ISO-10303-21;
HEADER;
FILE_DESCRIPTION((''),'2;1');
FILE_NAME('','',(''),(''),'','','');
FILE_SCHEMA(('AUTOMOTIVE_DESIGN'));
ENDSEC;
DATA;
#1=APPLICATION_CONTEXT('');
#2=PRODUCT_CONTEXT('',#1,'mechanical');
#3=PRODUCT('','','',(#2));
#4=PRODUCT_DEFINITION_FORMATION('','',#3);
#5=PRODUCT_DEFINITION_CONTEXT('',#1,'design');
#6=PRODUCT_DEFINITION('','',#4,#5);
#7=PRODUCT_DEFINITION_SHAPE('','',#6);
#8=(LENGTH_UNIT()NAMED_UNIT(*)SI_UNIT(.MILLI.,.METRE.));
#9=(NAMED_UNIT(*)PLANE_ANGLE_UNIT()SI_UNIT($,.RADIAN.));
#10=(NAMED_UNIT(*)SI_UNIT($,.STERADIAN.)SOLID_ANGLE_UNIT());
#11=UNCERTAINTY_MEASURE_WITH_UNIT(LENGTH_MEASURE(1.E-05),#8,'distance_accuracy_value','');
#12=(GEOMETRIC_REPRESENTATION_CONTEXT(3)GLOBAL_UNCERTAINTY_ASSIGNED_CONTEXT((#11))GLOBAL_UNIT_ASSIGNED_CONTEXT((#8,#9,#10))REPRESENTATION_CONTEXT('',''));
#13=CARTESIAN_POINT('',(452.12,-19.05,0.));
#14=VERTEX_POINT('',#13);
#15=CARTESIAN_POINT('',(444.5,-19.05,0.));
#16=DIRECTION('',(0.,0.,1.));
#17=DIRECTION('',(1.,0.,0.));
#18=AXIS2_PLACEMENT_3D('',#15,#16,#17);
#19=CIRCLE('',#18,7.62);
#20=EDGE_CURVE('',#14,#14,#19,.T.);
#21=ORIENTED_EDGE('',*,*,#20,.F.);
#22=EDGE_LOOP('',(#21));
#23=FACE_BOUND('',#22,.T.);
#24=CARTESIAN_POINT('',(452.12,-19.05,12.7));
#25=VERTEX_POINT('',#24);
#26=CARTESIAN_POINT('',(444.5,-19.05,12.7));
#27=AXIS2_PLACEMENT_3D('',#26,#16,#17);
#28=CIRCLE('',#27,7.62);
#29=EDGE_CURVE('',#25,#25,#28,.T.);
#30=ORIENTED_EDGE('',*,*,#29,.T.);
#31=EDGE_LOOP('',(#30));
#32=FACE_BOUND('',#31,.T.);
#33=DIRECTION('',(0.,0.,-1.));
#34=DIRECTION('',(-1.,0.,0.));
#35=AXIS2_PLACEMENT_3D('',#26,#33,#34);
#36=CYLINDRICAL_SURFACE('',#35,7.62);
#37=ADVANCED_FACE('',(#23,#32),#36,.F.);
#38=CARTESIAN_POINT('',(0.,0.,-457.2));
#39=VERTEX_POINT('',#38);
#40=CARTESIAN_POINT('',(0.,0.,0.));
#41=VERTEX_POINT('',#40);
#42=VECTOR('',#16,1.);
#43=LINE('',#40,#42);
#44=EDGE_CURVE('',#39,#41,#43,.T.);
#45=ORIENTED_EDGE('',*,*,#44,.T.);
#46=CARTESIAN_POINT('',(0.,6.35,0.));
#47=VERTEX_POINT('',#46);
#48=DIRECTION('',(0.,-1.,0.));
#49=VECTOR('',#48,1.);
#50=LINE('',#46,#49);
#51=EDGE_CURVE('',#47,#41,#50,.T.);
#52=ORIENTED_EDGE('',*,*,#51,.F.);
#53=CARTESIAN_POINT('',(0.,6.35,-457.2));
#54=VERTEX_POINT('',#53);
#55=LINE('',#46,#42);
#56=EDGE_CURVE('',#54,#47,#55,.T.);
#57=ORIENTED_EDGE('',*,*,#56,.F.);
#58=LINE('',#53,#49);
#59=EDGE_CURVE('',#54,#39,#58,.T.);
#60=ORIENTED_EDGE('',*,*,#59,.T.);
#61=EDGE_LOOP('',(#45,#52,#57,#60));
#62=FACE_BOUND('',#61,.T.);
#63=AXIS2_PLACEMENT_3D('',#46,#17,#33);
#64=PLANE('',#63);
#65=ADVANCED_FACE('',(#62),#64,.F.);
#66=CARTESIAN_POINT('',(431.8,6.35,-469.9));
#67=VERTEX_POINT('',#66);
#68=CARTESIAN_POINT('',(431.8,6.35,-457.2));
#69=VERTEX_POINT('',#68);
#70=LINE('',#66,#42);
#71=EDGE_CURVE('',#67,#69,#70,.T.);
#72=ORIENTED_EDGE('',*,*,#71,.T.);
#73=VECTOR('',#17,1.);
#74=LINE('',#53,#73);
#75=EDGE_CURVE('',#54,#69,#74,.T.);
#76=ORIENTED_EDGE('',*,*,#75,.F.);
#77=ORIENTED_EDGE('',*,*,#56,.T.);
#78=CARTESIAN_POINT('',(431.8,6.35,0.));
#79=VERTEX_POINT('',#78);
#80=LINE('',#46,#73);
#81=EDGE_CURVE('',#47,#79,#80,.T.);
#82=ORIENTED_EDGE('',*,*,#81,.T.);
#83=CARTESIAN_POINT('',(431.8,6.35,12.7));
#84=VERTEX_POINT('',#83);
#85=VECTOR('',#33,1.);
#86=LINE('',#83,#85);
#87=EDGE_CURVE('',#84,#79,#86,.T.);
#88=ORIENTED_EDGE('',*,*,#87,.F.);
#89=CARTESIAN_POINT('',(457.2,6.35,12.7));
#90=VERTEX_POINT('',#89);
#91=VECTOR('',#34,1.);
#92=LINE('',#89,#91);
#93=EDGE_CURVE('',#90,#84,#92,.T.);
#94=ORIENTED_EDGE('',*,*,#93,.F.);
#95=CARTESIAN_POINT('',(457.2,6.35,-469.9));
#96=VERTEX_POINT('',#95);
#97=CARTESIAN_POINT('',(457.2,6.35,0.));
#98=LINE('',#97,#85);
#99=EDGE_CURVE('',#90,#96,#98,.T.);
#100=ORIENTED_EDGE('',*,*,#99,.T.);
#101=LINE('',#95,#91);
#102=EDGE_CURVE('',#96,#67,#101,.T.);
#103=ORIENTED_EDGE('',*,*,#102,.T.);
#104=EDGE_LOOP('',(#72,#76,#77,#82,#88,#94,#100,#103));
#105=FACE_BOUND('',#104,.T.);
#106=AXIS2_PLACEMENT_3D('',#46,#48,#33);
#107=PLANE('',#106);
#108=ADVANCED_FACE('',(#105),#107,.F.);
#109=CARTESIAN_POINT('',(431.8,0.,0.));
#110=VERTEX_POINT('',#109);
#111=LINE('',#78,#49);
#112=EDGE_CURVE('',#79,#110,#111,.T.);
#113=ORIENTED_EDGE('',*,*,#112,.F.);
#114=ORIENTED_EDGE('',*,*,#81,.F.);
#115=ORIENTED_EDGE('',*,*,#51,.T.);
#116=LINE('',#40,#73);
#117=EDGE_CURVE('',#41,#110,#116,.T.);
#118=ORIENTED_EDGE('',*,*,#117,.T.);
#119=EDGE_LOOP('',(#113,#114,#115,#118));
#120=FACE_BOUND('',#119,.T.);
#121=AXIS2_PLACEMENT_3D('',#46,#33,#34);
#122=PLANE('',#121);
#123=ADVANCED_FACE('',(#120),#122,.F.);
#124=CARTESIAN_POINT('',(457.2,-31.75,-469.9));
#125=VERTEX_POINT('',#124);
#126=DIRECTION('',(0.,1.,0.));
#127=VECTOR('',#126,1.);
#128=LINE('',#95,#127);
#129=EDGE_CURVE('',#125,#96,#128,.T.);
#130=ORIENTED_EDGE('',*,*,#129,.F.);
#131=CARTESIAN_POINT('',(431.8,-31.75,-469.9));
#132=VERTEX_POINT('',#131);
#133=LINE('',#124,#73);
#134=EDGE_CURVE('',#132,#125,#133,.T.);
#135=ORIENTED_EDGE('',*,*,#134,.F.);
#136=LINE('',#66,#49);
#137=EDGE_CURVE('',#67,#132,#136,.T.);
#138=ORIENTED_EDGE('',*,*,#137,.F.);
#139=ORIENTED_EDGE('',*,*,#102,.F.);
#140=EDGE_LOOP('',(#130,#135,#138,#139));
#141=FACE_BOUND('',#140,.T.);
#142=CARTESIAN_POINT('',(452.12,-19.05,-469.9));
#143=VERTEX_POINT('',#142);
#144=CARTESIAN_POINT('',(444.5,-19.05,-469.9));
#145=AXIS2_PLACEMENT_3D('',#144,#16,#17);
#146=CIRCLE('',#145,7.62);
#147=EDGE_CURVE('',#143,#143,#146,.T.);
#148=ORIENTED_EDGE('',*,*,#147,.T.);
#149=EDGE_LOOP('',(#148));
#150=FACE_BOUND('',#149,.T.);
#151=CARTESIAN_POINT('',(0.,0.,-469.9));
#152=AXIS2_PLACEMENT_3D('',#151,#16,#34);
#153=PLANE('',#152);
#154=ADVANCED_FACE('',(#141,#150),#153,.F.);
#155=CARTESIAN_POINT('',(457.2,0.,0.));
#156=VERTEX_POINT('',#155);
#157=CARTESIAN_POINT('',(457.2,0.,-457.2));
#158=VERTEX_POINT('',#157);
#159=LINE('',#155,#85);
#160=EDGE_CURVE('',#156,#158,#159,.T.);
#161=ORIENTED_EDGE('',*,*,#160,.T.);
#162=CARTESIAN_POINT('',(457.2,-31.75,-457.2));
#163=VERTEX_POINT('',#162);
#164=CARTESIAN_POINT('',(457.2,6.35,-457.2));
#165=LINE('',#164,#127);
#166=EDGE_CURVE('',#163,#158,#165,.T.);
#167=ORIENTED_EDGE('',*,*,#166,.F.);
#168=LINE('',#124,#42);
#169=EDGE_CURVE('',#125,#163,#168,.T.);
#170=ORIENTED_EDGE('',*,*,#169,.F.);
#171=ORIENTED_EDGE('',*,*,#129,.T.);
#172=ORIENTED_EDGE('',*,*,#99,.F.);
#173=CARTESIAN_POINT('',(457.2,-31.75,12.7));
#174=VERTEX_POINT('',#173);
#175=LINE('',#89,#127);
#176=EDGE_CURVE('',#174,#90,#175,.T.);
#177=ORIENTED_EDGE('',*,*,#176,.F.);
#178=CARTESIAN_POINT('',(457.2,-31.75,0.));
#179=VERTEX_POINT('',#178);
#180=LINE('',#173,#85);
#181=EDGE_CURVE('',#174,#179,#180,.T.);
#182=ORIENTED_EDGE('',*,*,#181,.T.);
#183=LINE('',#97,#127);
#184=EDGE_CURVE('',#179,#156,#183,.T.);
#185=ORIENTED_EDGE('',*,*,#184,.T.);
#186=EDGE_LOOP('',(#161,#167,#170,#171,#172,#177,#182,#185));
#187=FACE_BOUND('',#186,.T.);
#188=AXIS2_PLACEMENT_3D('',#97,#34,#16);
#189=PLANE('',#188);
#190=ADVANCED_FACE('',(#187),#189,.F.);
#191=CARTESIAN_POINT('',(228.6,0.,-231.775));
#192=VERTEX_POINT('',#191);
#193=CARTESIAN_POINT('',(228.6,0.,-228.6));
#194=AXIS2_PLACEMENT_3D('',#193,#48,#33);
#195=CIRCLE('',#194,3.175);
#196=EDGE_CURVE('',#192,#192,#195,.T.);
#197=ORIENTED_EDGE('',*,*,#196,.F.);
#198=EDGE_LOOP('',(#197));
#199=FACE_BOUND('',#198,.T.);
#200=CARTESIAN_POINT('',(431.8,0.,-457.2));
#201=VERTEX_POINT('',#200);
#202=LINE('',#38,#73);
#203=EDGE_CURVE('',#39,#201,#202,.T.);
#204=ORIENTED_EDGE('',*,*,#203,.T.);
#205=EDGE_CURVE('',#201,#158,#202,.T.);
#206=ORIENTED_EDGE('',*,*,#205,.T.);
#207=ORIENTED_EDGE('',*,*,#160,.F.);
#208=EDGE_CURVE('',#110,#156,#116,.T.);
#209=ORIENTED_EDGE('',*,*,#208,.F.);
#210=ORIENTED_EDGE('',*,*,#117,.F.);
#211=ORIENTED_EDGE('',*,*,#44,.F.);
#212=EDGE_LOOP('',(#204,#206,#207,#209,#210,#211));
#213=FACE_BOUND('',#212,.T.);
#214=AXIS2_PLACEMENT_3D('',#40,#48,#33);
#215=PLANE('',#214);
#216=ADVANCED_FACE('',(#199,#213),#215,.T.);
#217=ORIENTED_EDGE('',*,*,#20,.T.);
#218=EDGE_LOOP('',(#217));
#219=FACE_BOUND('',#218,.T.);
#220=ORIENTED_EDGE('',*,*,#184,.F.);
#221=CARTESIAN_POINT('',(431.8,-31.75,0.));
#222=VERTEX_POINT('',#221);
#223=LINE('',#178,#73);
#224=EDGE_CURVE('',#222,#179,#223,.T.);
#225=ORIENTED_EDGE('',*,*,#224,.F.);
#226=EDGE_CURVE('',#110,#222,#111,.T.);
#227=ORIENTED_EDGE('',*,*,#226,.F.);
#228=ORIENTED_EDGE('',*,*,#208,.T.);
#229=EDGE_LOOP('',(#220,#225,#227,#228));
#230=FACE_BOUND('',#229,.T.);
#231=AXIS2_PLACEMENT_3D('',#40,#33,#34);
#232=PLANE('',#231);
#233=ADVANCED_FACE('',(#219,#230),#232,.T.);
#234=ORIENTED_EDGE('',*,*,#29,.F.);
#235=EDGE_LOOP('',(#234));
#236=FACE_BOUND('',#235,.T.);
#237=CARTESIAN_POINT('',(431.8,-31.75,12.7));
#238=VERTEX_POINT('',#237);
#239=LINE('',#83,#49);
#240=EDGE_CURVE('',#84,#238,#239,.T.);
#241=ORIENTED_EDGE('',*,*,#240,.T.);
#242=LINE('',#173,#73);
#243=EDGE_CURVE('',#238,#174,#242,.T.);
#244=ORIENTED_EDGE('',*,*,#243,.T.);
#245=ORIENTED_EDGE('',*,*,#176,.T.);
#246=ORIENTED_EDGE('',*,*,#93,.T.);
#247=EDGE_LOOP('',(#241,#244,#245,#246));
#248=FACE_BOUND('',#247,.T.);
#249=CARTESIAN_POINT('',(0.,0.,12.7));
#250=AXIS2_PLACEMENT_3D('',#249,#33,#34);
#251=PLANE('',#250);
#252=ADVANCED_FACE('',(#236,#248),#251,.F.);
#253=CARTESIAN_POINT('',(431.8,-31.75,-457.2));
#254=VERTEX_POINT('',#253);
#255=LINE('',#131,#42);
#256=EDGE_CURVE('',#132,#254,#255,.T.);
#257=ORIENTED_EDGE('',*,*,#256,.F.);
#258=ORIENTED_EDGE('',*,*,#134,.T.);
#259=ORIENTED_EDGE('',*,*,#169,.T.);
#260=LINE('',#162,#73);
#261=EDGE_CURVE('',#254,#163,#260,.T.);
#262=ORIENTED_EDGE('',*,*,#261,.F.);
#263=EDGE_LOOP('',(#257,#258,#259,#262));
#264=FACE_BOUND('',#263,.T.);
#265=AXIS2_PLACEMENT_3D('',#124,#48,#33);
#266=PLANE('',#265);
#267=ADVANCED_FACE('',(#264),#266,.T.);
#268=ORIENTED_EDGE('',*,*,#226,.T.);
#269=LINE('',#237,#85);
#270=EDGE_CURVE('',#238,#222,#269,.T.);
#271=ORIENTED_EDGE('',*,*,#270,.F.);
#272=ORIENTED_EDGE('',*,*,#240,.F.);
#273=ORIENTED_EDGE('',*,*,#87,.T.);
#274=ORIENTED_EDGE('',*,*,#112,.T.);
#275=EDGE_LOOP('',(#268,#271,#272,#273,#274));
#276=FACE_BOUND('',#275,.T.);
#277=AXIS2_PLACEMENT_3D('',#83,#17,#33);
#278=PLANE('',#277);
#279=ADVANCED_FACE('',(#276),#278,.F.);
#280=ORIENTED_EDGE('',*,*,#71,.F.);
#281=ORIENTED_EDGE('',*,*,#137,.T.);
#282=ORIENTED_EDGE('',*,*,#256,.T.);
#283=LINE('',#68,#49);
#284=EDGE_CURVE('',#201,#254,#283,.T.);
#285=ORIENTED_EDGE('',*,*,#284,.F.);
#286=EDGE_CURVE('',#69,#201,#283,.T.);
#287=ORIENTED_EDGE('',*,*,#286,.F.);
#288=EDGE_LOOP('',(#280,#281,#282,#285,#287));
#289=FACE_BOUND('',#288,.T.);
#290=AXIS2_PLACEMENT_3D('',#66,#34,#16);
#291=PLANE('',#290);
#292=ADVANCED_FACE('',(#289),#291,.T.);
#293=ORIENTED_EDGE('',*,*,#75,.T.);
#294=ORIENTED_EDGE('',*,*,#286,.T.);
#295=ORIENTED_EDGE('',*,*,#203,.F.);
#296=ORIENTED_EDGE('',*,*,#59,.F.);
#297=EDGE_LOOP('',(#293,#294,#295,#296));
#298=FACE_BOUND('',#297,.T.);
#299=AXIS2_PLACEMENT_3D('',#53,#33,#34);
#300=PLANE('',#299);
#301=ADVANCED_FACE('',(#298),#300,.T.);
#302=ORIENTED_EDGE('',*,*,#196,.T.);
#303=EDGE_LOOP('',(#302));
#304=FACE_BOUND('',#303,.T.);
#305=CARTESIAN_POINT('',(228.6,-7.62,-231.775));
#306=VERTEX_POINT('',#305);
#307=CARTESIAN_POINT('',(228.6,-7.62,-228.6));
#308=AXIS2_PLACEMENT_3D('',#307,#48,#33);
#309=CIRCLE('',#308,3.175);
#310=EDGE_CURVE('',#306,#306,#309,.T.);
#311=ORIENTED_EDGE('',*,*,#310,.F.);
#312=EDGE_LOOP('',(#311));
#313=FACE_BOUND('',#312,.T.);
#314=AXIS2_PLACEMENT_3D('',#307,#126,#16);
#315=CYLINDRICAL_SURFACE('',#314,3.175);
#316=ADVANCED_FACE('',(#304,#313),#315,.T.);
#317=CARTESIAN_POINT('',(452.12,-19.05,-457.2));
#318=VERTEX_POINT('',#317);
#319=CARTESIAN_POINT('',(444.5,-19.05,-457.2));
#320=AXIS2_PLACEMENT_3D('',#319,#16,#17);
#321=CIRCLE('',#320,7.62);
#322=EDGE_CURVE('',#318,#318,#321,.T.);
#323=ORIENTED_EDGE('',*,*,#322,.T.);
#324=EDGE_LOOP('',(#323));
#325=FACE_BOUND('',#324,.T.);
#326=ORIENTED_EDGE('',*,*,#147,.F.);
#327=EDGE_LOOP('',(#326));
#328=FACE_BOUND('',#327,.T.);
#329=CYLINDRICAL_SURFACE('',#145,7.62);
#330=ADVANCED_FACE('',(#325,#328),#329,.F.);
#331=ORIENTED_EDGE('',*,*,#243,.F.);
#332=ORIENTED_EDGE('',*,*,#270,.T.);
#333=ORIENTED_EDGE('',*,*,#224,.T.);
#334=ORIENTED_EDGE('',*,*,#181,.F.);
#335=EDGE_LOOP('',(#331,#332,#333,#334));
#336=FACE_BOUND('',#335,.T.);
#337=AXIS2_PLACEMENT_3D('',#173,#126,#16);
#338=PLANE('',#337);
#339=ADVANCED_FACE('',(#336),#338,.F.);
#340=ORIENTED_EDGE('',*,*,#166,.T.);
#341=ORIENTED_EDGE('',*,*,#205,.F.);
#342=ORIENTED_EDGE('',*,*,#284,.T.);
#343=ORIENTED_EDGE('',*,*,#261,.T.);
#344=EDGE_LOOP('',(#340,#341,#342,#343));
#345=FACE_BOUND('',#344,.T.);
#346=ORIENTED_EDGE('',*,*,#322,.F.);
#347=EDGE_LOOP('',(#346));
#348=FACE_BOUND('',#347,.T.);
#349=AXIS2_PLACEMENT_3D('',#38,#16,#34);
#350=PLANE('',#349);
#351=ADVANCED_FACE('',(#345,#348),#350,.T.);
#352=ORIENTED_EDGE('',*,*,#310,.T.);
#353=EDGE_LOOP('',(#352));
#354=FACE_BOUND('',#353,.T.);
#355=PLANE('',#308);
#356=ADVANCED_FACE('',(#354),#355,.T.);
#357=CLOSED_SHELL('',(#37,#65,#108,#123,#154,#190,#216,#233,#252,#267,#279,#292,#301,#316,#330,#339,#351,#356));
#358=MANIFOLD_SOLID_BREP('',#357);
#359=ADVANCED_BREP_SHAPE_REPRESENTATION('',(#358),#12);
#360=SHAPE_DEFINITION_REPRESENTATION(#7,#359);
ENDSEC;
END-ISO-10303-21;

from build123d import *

# Parameters (mm, degrees)
SKETCH1_W           = 457.2
SKETCH1_H           = 228.6
BOSS_EXTRUDE1_DEPTH = 6.35
SKETCH2_W           = 25.4
SKETCH2_H           = 38.1
SKETCH2_R           = 7.62
BOSS_EXTRUDE2_DEPTH = 12.7
SKETCH4_R           = 3.175
BOSS_EXTRUDE4_DEPTH = 7.62


with BuildPart() as part:
    # Sketch1 → Boss-Extrude1 (new body)
    with BuildSketch(Plane(origin=(0, 0, 0), x_dir=(1, 0, 0), z_dir=(0, 1, 0))):
        with Locations((228.6, 114.3)):
            Rectangle(SKETCH1_W, SKETCH1_H)
    boss_extrude1 = extrude(amount=BOSS_EXTRUDE1_DEPTH)

    # Sketch2 → Boss-Extrude2 (add)
    with BuildSketch(Plane.XY):
        with Locations((444.5, -12.7)):
            Rectangle(SKETCH2_W, SKETCH2_H)
        with Locations((444.5, -19.05)):
            Circle(SKETCH2_R, mode=Mode.SUBTRACT)
    boss_extrude2 = extrude(amount=BOSS_EXTRUDE2_DEPTH)

    # Mirror3: Boss-Extrude1, Boss-Extrude2 across plane
    add(boss_extrude1.mirror(Plane(origin=(0, 6.35, -228.6), x_dir=(1, 0, 0), z_dir=(0, 0, 1))))
    add(boss_extrude2.mirror(Plane(origin=(0, 6.35, -228.6), x_dir=(1, 0, 0), z_dir=(0, 0, 1))))

    # Sketch4 → Boss-Extrude4 (add)
    with BuildSketch(Plane.XZ):
        with Locations((228.6, -228.6)):
            Circle(SKETCH4_R)
    extrude(amount=BOSS_EXTRUDE4_DEPTH)


solid = part.part
